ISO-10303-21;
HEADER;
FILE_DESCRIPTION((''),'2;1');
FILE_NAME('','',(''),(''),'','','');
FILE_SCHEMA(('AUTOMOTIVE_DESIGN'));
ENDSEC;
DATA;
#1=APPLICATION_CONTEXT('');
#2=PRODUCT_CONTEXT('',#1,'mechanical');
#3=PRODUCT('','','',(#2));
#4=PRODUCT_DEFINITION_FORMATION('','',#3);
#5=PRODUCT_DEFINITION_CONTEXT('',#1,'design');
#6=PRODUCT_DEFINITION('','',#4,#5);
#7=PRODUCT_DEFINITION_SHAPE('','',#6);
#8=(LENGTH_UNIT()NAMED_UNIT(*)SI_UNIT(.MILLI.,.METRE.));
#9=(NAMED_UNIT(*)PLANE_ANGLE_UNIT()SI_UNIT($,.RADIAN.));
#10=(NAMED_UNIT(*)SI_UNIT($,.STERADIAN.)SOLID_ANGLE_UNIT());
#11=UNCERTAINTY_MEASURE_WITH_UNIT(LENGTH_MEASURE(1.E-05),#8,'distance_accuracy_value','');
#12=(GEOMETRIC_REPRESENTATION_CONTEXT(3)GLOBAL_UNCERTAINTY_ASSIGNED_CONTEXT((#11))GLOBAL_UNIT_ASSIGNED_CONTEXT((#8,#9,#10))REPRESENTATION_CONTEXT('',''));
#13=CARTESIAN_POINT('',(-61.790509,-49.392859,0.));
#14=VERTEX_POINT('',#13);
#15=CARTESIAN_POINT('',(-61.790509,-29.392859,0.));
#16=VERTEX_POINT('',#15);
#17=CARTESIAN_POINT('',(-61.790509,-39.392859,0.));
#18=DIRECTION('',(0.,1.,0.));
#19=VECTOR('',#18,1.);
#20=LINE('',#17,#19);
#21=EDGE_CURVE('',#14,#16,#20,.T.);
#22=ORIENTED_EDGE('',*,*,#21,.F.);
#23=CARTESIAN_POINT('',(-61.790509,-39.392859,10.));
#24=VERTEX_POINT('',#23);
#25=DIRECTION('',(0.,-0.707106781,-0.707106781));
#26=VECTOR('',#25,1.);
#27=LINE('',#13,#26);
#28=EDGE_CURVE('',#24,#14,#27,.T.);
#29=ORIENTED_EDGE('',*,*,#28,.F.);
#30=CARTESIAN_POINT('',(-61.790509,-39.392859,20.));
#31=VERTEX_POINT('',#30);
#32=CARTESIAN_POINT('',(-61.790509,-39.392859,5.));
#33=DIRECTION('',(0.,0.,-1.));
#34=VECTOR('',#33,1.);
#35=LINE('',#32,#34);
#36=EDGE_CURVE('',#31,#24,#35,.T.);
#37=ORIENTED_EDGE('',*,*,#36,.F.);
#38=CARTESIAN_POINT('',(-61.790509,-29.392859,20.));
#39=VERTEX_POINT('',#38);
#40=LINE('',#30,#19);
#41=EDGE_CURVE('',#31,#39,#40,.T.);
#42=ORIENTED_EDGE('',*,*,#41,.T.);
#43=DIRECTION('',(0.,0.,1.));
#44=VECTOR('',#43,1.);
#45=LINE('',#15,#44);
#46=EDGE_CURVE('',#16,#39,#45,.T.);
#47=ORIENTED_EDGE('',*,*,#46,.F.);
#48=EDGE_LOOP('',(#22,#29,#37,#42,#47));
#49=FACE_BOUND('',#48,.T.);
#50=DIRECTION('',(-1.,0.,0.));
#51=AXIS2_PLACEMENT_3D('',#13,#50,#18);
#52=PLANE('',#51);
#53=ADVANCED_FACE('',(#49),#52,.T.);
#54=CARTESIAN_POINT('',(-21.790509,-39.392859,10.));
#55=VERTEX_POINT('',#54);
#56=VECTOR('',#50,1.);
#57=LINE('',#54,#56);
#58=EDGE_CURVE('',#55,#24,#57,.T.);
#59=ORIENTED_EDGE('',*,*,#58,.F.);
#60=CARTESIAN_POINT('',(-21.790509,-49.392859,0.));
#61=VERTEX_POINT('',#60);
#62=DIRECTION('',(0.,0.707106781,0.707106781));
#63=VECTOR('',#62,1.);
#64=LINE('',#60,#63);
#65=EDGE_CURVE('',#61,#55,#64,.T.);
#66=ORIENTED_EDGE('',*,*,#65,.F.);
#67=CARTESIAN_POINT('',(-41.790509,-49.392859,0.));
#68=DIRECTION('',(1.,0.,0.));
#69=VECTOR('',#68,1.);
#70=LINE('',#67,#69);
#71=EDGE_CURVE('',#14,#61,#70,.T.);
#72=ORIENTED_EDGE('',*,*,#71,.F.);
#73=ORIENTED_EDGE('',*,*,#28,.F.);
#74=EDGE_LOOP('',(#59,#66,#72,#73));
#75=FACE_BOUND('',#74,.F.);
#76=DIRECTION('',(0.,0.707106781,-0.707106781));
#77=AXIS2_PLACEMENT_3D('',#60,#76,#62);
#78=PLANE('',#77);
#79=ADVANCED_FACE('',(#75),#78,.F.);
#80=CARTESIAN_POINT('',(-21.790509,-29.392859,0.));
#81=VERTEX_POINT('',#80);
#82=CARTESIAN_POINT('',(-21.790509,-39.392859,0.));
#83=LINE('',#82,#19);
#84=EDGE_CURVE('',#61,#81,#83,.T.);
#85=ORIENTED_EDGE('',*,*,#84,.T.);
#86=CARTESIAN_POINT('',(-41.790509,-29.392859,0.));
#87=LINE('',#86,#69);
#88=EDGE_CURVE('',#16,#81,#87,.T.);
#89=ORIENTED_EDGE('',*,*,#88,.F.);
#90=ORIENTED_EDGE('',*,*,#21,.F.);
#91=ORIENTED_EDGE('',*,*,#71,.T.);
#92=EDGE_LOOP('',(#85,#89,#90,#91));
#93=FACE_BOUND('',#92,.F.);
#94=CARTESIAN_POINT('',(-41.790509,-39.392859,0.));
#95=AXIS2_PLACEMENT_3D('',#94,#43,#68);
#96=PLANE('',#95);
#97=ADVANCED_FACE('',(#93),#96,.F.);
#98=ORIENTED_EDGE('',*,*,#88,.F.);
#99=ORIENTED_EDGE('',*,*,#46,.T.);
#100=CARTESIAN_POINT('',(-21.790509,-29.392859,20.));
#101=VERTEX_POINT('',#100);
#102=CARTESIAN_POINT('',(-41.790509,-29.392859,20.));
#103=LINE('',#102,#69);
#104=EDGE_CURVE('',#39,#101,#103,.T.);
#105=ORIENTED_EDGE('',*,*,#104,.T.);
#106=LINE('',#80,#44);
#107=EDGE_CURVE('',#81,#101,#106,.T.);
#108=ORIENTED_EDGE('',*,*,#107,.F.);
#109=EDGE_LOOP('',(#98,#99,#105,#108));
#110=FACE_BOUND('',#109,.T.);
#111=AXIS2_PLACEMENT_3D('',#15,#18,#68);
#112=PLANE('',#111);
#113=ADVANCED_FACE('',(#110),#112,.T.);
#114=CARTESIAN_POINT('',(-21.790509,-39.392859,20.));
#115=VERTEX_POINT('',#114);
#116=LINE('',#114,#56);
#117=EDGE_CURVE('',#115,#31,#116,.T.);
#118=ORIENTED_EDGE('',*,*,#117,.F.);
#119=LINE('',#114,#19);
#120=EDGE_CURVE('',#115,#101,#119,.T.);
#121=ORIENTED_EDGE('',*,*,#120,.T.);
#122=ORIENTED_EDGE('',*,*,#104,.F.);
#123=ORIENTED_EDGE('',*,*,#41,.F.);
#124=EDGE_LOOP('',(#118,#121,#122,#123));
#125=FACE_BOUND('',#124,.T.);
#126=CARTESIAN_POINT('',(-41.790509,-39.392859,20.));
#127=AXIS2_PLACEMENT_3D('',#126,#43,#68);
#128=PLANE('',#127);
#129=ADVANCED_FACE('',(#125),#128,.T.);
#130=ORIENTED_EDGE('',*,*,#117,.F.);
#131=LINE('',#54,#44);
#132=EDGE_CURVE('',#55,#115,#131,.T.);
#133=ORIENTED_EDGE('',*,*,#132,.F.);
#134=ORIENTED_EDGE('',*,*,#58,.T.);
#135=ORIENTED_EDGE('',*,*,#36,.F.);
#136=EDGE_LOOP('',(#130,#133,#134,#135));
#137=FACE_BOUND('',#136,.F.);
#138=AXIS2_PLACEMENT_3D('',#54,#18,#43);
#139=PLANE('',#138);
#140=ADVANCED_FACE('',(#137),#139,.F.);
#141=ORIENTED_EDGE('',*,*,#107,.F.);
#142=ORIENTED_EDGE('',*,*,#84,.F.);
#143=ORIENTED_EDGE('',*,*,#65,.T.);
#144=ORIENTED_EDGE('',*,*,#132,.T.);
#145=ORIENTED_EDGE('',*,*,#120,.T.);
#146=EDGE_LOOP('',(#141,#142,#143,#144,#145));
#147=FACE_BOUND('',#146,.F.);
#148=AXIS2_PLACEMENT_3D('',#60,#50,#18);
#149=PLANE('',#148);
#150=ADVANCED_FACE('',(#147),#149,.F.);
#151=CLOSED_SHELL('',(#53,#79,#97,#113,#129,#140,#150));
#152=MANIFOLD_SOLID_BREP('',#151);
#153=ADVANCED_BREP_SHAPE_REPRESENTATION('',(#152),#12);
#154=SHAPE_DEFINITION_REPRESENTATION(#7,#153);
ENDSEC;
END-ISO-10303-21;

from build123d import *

# Parameters (mm, degrees)
F0_W     = 40
F0_H     = 20
F1_DEPTH = 20
F3_DEPTH = 40.001


with BuildPart() as f1:
    # F0 (on Top) → F1 (new body)
    with BuildSketch(Plane.XY):
        with Locations((-41.790509, -39.392859)):
            Rectangle(F0_W, F0_H)
    extrude(amount=F1_DEPTH)

    # F2 (on face) → F3 (cut, through all)
    with BuildSketch(Plane.YZ.offset(-21.790509)):
        Polygon((-39.392859, 10), (-39.392859, 20), (-49.392859, 20), (-49.392859, 0), align=None)
    extrude(amount=-F3_DEPTH, mode=Mode.SUBTRACT)


solid = f1.part
